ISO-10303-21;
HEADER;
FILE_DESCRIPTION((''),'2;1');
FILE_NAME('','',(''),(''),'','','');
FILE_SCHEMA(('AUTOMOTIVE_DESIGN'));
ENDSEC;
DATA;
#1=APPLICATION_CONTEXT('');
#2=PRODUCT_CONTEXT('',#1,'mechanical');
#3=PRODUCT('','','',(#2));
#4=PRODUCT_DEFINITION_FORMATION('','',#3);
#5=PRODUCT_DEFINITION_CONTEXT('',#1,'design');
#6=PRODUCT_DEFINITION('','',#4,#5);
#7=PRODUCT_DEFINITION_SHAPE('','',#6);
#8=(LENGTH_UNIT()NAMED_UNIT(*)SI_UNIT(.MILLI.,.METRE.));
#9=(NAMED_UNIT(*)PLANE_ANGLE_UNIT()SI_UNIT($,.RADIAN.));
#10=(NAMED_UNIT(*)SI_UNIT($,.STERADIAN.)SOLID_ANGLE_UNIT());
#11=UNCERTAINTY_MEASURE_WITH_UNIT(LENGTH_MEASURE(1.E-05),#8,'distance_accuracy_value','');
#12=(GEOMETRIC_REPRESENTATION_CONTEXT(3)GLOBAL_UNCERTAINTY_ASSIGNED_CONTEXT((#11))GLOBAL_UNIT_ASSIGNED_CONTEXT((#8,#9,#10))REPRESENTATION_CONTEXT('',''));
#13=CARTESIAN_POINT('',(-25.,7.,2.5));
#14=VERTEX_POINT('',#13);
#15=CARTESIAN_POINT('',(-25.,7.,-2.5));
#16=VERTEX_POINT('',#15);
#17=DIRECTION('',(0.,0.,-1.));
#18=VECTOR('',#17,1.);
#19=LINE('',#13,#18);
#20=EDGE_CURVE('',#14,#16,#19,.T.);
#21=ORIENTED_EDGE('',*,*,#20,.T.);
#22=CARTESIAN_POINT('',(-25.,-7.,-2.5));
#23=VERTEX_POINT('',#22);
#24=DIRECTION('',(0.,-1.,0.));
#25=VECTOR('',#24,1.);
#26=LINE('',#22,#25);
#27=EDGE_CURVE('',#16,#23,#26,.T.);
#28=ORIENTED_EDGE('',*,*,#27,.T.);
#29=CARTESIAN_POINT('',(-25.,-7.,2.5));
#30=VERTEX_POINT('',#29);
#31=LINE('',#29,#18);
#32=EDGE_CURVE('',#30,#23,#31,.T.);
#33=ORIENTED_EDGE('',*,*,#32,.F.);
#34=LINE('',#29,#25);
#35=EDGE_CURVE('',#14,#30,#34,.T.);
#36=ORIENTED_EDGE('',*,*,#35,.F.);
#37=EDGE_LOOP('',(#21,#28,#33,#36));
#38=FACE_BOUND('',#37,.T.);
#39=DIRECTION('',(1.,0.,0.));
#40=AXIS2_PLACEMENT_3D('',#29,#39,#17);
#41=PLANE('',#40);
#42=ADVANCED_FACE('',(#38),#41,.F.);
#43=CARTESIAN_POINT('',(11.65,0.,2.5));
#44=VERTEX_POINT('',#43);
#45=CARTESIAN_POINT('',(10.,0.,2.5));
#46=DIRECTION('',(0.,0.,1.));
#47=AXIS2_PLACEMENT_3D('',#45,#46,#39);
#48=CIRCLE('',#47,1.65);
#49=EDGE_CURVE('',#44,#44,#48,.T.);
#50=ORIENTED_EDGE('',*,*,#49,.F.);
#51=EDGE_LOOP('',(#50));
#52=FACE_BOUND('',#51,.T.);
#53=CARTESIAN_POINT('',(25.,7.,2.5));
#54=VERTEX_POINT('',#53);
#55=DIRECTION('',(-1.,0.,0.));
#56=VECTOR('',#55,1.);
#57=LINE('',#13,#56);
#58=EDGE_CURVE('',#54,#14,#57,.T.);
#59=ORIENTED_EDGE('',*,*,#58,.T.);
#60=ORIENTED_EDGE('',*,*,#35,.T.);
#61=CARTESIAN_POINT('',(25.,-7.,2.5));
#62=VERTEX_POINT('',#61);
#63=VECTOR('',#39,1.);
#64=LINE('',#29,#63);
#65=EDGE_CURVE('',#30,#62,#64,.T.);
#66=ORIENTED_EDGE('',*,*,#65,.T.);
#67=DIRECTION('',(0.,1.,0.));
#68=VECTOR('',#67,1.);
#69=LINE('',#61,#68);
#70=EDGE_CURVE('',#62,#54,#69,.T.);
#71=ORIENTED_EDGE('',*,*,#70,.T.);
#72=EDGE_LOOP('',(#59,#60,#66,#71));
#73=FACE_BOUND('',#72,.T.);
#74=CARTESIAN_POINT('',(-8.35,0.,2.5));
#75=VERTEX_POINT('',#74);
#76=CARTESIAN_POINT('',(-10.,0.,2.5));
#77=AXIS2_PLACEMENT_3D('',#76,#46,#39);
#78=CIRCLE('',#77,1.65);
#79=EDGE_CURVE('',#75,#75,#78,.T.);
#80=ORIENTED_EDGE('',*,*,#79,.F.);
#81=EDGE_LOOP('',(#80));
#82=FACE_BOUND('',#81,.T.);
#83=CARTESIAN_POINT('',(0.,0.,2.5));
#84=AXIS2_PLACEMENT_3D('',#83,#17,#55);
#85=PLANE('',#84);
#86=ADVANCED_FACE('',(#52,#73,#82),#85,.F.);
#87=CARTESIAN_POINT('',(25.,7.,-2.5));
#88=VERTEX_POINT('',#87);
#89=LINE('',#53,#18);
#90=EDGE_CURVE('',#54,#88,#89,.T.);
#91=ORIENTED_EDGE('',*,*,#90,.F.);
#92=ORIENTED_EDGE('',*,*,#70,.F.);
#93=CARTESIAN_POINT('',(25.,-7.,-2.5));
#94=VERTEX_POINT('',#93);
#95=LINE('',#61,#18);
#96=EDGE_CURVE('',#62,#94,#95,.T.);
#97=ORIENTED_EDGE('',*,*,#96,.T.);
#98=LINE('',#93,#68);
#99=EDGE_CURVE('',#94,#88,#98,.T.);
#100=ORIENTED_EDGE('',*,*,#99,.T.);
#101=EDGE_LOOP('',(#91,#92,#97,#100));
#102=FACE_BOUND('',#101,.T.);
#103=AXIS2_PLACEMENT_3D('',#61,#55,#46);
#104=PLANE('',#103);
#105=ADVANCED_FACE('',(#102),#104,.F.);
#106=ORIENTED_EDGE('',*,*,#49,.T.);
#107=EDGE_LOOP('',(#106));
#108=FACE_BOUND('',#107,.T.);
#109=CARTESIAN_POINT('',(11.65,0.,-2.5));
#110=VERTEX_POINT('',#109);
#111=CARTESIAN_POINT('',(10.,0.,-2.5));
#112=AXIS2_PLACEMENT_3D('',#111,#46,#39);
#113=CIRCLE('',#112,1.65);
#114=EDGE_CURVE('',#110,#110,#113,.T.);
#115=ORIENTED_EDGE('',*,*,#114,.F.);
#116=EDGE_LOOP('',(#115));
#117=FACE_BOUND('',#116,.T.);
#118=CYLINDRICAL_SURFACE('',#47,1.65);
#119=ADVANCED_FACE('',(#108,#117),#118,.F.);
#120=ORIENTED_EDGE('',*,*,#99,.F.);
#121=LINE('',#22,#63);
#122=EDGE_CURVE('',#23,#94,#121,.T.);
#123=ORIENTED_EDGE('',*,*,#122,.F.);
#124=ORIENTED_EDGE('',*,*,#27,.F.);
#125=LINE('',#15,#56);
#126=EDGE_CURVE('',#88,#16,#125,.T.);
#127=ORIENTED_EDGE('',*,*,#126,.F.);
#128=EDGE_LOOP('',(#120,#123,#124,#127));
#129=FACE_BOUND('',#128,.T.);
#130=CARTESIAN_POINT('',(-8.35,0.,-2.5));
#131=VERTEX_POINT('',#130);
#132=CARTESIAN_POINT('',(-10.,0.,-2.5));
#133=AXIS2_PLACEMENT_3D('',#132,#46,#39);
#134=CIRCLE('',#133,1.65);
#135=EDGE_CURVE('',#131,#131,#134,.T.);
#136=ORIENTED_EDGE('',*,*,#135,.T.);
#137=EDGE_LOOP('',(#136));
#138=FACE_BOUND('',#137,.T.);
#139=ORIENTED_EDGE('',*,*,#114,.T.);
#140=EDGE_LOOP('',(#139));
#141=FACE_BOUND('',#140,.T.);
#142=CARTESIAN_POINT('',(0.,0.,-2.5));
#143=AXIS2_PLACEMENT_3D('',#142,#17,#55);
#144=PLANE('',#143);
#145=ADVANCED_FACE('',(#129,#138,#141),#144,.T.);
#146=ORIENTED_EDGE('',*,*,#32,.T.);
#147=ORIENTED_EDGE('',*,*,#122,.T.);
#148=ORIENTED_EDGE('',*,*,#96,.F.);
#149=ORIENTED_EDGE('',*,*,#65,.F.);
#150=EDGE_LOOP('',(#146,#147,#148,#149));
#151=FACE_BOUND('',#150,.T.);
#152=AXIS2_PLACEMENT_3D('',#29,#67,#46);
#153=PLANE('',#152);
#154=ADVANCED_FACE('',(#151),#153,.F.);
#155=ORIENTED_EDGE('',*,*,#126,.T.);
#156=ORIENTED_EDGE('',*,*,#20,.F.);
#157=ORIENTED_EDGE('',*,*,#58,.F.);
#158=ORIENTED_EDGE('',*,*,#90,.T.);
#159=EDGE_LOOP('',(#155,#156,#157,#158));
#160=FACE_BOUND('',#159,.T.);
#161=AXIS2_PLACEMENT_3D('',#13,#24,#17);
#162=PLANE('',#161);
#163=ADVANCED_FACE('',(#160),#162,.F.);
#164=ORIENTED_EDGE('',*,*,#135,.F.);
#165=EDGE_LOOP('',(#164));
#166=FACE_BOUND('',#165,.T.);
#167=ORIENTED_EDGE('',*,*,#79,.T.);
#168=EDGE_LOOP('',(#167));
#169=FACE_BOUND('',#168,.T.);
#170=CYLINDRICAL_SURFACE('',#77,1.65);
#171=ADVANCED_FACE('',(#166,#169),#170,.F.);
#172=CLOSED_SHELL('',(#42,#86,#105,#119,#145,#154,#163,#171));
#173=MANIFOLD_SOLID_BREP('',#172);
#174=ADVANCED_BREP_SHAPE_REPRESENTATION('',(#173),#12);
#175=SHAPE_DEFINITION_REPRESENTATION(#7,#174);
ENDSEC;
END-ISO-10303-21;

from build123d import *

# Parameters (mm, degrees)
SKETCH1_W             = 50
SKETCH1_H             = 14
BOSS_EXTRUDE1_DEPTH   = 2.5
M4X0_7_TAPPED_HOLE1_D = 3.3


with BuildPart() as part:
    # Sketch1 → Boss-Extrude1 (new body, symmetric)
    with BuildSketch(Plane.XY):
        Rectangle(SKETCH1_W, SKETCH1_H)
    extrude(amount=BOSS_EXTRUDE1_DEPTH, both=True)

    # M4x0.7 Tapped Hole1 (through all)
    with Locations(Plane.XY.offset(2.5)):
        with Locations((-10, 0), (10, 0)):
            Hole(M4X0_7_TAPPED_HOLE1_D / 2)


solid = part.part
